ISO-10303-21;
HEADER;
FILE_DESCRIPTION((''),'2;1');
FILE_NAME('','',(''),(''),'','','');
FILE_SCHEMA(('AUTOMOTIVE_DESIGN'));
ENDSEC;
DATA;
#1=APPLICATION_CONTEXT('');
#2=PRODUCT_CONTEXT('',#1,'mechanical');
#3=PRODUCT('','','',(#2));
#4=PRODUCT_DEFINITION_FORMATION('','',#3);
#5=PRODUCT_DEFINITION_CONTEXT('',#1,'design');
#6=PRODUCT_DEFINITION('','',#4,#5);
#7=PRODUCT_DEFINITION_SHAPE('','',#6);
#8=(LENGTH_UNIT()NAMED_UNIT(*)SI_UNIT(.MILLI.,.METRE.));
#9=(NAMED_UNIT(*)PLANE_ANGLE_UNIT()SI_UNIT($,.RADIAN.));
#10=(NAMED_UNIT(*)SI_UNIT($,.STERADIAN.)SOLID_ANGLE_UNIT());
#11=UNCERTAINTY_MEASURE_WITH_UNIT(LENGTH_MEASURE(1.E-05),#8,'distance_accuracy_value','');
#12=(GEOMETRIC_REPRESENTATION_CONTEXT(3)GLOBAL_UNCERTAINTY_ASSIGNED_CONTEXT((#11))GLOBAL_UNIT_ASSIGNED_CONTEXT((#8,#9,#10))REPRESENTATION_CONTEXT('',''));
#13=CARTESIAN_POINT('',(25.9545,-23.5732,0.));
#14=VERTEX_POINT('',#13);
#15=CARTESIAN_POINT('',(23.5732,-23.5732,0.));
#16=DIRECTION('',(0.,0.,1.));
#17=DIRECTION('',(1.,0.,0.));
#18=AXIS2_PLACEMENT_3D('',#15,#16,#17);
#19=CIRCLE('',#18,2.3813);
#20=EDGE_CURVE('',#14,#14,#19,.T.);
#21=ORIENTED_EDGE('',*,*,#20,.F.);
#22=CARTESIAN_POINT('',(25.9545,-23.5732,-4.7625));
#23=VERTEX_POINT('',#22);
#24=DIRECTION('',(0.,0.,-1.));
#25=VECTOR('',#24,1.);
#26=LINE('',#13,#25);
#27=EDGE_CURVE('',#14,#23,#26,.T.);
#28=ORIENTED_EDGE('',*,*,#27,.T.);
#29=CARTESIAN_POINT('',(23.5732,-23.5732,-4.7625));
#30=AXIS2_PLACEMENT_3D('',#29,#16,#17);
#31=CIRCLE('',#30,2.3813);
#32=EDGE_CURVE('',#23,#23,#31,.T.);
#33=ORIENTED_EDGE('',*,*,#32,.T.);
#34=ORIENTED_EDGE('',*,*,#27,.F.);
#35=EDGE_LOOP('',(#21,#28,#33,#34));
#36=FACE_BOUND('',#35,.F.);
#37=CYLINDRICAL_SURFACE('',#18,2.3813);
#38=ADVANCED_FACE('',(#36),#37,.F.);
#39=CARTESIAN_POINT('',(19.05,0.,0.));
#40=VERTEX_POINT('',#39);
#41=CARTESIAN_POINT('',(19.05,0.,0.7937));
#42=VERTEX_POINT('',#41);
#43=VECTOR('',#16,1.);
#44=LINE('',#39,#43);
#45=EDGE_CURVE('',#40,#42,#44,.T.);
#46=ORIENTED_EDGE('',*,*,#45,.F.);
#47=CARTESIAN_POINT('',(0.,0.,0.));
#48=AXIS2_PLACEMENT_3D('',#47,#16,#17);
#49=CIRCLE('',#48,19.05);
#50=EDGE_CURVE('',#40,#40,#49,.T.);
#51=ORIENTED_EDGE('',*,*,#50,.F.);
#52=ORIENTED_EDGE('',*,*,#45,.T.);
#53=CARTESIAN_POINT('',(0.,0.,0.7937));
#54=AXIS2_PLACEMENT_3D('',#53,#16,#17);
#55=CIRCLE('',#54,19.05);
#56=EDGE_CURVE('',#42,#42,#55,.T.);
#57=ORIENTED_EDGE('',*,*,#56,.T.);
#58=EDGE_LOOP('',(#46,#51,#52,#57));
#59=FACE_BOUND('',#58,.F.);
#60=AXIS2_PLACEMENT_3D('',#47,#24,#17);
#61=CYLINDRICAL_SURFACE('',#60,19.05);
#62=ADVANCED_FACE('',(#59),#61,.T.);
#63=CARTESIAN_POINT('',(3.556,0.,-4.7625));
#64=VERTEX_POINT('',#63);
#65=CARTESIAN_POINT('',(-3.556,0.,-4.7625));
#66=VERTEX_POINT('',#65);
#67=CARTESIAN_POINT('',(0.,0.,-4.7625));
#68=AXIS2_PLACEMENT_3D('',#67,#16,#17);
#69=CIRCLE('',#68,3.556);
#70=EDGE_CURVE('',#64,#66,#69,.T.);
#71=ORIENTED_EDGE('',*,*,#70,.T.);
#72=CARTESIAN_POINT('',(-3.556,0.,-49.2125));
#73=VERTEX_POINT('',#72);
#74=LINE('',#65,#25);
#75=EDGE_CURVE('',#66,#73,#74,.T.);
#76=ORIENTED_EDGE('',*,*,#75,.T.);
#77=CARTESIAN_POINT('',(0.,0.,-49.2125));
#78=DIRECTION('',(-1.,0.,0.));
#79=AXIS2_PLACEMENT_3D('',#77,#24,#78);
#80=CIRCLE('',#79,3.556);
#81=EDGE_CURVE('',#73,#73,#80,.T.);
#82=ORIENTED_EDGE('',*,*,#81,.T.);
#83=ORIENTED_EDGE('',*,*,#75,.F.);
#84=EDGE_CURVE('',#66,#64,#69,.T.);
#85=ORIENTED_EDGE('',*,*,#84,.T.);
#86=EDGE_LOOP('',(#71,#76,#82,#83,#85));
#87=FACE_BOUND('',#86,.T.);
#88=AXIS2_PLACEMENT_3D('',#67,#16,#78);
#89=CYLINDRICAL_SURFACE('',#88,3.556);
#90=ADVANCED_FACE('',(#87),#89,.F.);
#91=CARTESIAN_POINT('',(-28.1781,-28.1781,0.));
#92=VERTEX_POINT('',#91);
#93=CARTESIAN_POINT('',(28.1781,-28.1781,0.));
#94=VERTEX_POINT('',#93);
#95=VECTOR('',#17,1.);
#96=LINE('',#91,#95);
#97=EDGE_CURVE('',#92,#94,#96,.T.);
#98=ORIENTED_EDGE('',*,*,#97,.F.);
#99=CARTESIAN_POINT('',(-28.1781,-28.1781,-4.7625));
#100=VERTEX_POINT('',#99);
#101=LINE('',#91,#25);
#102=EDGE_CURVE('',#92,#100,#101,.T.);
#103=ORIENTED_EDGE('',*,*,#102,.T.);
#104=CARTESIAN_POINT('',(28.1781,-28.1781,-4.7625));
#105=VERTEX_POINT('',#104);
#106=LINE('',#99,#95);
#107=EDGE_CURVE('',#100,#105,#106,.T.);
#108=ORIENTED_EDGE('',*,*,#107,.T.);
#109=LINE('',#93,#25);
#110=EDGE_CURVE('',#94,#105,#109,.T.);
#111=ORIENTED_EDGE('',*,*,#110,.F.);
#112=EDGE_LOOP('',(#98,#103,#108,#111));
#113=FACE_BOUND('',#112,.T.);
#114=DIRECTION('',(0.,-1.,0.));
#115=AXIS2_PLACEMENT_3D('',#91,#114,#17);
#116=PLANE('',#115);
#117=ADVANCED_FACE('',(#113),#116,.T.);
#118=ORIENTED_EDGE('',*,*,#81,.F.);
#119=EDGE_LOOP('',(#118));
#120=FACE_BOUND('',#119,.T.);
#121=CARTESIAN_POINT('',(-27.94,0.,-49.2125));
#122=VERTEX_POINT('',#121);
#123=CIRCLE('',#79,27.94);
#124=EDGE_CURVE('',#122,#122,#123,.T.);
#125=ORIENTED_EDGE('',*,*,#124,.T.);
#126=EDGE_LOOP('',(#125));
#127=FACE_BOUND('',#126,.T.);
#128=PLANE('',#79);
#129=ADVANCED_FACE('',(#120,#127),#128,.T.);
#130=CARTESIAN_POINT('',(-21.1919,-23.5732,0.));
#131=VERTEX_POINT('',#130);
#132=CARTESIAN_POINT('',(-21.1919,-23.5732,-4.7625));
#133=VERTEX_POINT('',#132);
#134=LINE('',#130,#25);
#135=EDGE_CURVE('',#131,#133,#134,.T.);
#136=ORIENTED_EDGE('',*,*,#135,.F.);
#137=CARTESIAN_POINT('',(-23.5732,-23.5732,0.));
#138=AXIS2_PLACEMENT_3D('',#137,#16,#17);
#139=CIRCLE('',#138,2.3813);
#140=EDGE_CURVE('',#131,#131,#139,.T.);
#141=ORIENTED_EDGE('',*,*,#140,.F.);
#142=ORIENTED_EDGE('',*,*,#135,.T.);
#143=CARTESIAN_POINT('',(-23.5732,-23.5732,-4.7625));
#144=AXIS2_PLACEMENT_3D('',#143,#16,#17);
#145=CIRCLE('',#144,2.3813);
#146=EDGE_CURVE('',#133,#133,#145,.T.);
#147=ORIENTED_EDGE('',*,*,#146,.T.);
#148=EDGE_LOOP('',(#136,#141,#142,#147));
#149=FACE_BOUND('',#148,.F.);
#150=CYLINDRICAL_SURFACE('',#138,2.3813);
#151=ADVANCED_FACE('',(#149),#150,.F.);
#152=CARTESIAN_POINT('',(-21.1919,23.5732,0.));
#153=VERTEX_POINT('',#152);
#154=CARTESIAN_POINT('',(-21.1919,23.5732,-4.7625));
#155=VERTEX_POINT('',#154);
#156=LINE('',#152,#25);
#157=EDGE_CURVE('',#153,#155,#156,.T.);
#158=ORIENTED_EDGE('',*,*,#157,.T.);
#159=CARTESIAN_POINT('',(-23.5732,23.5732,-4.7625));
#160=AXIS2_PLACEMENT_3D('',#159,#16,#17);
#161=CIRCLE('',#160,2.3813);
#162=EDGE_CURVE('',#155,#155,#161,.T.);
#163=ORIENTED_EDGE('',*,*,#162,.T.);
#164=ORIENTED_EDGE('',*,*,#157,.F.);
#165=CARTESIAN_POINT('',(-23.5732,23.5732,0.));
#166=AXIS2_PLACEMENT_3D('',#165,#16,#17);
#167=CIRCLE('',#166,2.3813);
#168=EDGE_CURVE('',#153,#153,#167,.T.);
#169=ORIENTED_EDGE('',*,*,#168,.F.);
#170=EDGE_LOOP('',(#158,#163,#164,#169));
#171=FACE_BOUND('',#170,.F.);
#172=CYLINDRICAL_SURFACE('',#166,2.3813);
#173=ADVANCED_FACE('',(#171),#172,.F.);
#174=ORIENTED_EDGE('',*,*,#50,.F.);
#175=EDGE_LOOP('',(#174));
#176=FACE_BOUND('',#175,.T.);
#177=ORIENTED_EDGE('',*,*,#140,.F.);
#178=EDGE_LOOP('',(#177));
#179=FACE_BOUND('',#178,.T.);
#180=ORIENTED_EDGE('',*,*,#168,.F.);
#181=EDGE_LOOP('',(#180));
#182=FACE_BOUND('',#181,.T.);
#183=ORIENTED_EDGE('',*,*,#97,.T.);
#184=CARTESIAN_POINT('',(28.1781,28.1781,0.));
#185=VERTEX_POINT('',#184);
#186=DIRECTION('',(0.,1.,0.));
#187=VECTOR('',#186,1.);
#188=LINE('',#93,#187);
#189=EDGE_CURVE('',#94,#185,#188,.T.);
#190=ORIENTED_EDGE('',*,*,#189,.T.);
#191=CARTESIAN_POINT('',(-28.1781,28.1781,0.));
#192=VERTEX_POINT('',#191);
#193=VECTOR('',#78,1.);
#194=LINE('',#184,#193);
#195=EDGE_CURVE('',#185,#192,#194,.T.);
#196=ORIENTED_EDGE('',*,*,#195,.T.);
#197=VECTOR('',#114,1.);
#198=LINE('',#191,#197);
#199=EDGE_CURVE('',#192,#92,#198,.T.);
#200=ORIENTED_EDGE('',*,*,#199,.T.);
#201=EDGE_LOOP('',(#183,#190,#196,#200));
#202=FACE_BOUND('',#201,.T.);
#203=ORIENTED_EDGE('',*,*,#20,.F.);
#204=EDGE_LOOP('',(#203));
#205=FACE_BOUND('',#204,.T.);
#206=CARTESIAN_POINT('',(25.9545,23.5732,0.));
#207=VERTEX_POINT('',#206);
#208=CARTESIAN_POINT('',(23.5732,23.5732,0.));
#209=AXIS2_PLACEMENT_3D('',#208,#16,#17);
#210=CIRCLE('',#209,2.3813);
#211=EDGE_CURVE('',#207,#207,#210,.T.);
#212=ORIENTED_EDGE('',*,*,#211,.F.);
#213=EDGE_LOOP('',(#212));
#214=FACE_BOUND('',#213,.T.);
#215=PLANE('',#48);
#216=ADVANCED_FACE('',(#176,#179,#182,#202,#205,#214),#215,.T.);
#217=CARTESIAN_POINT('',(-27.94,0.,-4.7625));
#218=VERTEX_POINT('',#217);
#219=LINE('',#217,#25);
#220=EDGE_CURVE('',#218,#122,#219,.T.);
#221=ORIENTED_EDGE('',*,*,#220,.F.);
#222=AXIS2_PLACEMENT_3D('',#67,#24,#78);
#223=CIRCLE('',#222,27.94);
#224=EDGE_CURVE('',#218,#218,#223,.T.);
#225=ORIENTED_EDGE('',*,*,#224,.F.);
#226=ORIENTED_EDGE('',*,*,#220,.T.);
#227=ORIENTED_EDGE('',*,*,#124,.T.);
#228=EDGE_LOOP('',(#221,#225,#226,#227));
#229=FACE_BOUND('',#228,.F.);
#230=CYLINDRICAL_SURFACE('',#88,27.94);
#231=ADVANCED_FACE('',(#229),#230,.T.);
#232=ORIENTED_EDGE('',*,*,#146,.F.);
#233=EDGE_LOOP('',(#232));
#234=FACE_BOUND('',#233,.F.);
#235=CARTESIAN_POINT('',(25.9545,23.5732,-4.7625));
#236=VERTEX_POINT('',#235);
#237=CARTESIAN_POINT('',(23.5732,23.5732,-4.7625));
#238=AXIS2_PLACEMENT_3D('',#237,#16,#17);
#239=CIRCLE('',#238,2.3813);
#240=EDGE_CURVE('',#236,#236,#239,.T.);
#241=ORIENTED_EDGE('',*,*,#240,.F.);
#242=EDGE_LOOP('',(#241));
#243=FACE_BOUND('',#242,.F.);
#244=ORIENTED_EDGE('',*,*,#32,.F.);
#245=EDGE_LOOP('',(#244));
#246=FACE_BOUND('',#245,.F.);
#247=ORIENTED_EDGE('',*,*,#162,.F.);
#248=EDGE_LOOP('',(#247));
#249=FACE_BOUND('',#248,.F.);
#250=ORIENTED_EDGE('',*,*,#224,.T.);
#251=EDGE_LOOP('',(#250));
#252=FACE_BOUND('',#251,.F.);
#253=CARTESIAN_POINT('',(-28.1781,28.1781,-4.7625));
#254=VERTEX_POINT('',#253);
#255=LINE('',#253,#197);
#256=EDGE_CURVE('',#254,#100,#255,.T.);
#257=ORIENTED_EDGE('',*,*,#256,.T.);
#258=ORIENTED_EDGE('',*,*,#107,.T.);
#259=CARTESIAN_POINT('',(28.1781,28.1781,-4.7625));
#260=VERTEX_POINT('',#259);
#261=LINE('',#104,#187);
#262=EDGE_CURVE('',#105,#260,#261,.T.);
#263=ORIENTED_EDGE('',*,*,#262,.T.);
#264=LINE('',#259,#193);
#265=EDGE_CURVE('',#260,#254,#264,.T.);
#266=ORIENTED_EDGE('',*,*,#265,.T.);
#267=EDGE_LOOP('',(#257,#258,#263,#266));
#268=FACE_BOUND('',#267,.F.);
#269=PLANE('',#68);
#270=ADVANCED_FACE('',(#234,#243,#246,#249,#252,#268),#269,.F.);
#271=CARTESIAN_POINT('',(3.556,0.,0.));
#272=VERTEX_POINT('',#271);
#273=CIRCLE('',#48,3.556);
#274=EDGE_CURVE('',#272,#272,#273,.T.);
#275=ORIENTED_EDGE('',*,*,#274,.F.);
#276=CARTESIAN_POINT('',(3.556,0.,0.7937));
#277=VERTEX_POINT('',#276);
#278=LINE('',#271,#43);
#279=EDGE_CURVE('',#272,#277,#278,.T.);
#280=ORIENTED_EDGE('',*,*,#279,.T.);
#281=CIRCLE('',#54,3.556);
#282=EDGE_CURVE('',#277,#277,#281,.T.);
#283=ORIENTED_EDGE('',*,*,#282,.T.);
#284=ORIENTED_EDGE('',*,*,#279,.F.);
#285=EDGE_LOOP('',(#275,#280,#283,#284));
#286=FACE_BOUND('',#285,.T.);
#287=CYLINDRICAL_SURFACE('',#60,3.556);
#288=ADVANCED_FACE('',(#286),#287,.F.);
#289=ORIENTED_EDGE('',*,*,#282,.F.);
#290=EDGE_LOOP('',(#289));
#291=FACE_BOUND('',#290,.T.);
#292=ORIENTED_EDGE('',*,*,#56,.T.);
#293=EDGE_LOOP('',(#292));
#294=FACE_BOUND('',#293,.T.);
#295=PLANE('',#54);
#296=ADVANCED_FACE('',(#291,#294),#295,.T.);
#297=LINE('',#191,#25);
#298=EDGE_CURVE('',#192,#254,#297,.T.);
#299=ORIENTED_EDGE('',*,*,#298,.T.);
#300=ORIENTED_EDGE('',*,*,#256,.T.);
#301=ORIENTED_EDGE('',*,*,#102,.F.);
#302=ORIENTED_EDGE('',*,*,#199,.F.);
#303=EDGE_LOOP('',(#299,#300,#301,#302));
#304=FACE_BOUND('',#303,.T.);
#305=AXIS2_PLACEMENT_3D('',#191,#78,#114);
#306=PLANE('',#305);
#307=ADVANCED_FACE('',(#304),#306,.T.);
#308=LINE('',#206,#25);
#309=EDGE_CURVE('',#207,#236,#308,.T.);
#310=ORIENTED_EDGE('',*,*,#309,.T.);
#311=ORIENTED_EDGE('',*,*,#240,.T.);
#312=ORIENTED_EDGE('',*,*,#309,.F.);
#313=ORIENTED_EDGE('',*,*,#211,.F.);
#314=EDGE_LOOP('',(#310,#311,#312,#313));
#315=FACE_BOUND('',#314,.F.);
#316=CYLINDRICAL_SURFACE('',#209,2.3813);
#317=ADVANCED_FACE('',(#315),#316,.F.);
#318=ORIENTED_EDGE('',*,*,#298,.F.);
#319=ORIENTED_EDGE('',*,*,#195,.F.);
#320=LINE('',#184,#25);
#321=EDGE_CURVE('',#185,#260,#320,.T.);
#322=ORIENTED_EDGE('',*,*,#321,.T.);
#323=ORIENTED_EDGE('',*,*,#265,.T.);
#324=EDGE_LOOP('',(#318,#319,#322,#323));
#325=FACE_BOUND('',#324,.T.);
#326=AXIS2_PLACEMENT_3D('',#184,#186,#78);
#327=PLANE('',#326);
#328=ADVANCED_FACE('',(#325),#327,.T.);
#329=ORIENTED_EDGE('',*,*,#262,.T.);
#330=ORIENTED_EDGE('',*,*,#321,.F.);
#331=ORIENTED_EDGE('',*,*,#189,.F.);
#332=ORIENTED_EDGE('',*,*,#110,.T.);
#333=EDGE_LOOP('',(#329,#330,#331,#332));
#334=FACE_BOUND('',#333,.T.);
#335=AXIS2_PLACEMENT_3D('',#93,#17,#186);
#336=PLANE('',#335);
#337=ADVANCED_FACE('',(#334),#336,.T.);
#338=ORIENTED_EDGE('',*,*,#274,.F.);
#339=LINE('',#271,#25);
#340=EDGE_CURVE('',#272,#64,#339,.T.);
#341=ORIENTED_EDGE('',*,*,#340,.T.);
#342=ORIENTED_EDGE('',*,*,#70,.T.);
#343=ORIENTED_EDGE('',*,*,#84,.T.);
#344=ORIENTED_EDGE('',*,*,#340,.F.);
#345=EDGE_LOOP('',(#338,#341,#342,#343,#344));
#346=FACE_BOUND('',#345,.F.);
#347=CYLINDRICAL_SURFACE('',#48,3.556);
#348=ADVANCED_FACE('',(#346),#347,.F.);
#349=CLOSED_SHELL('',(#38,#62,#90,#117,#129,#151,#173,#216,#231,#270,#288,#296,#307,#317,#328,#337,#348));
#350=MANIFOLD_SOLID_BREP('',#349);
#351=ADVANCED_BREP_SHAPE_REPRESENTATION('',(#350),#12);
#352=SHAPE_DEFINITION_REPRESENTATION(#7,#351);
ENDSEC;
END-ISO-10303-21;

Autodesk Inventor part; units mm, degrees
ref_plane "YZ Plane" through (0, 0, 0) normal (1, 0, 0) x (0, 1, 0)
ref_plane "XZ Plane" through (0, 0, 0) normal (0, 1, 0) x (-1, 0, 0)
ref_plane "XY Plane" through (0, 0, 0) normal (0, 0, 1) x (1, 0, 0)
sketch "Sketch1" plane through (0, 0, 0) normal (0, 0, 1) x (1, 0, 0)
  line L0 (-28.1781, -28.1781) -> (28.1781, -28.1781)
  line L1 (28.1781, -28.1781) -> (28.1781, 28.1781)
  line L2 (28.1781, 28.1781) -> (-28.1781, 28.1781)
  line L3 (-28.1781, 28.1781) -> (-28.1781, -28.1781)
  line L4 (-28.1781, -28.1781) -> (28.1781, 28.1781) construction
  line L5 (28.1781, -28.1781) -> (-28.1781, 28.1781) construction
  circle A0 centre (-23.5732, 23.5732) radius 2.3813 projected
  circle A1 centre (23.5732, 23.5732) radius 2.3813 projected
  circle A2 centre (23.5732, -23.5732) radius 2.3813 projected
  circle A3 centre (-23.5732, -23.5732) radius 2.3813 projected
  circle A4 centre (0, 0) radius 3.556 projected
  dimension "d0" = 56.3563
  dimension "d1" = 56.3563
extrude "Extrusion1" add sketch "Sketch1" against normal blind 4.7625
sketch "Sketch2" plane through (0, 0, 0) normal (0, 0, 1) x (1, 0, 0)
  circle A0 centre (0, 0) radius 3.556 projected
  circle A1 centre (0, 0) radius 3.556 projected
  circle A2 centre (0, 0) radius 19.05
  dimension "d4" = 38.1
extrude "Extrusion2" add sketch "Sketch2" along normal blind 0.7937
sketch "Sketch3" plane through (0, 0, -4.7625) normal (0, 0, -1) x (-1, 0, 0)
  circle A0 centre (0, 0) radius 3.556 projected
  circle A1 centre (0, 0) radius 27.94
  dimension "d7" = 55.88
extrude "Extrusion3" add sketch "Sketch3" along normal blind 44.45
properties part number "stepperMotorBody" material "Steel, Galvanized"
